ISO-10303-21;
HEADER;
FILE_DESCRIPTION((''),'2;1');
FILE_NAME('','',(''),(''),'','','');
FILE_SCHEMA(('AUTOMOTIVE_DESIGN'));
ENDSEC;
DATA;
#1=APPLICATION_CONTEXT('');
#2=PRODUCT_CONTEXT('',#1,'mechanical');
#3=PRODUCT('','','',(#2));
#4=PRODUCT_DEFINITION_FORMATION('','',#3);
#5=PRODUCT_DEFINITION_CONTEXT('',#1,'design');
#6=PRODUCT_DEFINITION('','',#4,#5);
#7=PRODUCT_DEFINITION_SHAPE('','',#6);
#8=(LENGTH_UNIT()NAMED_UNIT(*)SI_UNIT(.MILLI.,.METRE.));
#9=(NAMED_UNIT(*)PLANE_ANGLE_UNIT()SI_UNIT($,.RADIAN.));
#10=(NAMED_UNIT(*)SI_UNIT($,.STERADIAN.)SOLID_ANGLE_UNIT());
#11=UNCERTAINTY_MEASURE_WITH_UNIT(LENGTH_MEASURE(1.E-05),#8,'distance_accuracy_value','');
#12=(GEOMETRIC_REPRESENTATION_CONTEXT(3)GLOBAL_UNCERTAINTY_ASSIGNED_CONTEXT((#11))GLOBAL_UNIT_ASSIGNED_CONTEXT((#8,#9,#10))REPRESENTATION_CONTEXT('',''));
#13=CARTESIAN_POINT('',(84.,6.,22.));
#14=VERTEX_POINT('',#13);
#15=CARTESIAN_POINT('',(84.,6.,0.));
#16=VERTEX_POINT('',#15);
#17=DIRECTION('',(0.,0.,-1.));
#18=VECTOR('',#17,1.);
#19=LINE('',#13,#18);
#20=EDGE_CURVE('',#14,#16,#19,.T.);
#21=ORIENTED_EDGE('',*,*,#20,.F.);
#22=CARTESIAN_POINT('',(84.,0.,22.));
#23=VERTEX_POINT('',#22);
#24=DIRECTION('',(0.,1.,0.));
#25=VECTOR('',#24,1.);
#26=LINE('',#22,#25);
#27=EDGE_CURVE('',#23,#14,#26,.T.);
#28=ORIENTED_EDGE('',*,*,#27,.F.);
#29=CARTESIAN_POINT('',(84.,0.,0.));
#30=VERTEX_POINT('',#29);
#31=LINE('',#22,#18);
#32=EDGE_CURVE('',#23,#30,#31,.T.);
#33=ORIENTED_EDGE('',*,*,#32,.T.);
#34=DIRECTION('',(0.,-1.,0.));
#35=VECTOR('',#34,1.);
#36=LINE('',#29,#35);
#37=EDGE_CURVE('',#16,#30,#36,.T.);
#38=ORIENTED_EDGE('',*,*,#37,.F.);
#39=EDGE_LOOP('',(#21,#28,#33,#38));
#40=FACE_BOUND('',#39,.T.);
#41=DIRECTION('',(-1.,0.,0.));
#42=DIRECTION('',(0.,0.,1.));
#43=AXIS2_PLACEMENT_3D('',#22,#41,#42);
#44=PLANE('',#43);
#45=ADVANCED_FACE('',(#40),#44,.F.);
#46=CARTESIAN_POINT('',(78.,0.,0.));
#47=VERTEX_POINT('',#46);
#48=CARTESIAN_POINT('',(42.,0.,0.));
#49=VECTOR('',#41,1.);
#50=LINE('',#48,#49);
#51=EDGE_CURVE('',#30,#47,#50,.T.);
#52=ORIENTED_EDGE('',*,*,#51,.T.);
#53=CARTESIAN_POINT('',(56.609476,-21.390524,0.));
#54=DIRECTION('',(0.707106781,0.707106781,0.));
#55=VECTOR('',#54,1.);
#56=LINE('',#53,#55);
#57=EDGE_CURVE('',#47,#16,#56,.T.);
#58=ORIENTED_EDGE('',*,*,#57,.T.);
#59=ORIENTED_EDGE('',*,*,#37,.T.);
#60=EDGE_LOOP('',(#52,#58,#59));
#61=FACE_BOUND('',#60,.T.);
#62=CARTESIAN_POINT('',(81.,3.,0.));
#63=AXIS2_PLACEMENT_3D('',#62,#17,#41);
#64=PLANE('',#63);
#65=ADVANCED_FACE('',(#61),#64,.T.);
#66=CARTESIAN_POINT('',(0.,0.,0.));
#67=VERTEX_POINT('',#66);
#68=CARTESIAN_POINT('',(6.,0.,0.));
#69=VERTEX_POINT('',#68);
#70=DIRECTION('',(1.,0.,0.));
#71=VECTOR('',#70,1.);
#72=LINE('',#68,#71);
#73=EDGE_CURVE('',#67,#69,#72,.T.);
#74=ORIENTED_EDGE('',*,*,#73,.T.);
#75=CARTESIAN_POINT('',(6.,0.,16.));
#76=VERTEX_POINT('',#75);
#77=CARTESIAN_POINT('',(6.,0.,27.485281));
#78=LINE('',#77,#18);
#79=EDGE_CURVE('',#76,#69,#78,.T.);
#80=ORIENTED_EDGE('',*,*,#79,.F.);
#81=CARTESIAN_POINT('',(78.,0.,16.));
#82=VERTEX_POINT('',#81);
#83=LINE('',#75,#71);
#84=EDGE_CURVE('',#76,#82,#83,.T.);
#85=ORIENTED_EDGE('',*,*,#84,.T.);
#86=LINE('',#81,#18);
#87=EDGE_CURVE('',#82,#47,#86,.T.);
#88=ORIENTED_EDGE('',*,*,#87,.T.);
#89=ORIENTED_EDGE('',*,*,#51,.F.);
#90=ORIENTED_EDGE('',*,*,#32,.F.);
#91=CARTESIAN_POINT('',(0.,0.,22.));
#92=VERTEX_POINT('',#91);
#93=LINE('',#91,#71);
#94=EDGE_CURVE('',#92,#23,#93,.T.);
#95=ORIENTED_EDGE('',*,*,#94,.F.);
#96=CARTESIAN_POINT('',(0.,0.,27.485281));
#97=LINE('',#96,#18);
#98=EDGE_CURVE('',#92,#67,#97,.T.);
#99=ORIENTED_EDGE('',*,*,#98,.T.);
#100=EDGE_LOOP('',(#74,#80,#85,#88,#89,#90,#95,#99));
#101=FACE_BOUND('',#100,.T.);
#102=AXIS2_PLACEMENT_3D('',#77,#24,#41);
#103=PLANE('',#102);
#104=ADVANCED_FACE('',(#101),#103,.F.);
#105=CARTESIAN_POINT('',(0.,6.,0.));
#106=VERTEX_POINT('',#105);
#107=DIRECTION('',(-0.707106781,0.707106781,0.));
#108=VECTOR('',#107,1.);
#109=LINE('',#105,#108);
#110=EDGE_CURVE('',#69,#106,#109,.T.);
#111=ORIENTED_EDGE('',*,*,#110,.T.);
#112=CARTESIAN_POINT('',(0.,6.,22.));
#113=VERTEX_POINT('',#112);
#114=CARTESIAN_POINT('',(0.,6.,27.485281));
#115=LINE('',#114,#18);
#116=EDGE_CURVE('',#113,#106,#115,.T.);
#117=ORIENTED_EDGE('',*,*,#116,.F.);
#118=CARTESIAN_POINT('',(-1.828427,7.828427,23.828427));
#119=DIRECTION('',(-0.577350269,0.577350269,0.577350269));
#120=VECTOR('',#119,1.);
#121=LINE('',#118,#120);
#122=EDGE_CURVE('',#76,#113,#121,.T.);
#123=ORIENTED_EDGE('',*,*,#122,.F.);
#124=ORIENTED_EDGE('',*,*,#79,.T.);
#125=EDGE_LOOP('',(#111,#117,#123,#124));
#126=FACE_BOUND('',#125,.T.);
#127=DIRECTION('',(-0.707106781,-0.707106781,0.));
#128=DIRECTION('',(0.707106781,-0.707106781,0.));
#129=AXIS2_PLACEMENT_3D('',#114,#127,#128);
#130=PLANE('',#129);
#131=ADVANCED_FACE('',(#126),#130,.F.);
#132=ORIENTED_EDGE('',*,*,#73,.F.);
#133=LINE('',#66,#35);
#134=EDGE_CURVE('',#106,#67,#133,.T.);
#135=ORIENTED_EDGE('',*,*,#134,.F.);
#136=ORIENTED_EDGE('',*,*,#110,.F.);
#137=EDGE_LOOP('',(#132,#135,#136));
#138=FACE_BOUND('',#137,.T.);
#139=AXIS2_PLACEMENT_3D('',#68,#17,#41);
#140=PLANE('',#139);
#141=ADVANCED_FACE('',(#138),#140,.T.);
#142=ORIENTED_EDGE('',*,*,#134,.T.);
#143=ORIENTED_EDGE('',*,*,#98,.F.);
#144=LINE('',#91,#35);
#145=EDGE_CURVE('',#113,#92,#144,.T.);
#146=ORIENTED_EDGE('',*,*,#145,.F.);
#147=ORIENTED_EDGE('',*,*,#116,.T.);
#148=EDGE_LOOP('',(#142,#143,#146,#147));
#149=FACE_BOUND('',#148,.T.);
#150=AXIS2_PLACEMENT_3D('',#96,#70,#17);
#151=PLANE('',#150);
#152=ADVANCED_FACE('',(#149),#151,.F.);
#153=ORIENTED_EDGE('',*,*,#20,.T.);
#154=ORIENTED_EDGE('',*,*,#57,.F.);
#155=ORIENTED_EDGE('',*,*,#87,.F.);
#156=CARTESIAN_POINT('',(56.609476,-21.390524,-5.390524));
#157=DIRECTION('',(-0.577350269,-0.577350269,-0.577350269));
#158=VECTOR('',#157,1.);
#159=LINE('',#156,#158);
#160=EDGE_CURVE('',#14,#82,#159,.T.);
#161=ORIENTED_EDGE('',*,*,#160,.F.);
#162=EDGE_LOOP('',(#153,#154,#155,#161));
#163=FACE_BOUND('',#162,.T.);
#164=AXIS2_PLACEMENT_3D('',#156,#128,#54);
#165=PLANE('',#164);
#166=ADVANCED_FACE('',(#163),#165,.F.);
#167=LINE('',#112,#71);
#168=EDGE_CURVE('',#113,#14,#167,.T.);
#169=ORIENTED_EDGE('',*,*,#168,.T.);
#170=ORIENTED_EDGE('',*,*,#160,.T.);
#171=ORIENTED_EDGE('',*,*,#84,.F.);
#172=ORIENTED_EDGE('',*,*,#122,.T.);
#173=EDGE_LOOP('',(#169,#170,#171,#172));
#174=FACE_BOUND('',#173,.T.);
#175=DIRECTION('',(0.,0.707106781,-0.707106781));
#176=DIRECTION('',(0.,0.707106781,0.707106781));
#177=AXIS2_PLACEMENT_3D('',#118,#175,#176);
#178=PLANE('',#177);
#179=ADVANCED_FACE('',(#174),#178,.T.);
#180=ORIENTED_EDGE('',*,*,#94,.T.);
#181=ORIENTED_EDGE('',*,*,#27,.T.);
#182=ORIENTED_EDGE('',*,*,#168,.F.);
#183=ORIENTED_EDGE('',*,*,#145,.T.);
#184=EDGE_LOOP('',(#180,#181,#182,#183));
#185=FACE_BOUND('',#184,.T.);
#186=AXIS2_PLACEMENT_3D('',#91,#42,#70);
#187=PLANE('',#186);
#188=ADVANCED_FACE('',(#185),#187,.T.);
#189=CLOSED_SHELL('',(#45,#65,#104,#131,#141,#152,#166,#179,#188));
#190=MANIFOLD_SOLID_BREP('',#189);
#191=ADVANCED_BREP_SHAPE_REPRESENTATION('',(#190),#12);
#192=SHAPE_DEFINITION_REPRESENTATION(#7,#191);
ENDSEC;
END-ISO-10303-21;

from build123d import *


with BuildPart() as part:
    # По траектории1: sweep along a path in Эскиз1
    with BuildLine(Plane(origin=(0, 0, 0), x_dir=(1, 0, 0), z_dir=(0, 1, 0))) as sweep_1_path:
        Line((0, 0), (0, -22))
        Line((0, -22), (84, -22))
        Line((84, -22), (84, 0))
    # Эскиз2 → По траектории1 (sweep)
    with BuildSketch(Plane.XY):
        Polygon((6, 0), (0, 0), (0, 6), align=None)
    sweep(path=sweep_1_path.line, transition=Transition.RIGHT)


solid = part.part
